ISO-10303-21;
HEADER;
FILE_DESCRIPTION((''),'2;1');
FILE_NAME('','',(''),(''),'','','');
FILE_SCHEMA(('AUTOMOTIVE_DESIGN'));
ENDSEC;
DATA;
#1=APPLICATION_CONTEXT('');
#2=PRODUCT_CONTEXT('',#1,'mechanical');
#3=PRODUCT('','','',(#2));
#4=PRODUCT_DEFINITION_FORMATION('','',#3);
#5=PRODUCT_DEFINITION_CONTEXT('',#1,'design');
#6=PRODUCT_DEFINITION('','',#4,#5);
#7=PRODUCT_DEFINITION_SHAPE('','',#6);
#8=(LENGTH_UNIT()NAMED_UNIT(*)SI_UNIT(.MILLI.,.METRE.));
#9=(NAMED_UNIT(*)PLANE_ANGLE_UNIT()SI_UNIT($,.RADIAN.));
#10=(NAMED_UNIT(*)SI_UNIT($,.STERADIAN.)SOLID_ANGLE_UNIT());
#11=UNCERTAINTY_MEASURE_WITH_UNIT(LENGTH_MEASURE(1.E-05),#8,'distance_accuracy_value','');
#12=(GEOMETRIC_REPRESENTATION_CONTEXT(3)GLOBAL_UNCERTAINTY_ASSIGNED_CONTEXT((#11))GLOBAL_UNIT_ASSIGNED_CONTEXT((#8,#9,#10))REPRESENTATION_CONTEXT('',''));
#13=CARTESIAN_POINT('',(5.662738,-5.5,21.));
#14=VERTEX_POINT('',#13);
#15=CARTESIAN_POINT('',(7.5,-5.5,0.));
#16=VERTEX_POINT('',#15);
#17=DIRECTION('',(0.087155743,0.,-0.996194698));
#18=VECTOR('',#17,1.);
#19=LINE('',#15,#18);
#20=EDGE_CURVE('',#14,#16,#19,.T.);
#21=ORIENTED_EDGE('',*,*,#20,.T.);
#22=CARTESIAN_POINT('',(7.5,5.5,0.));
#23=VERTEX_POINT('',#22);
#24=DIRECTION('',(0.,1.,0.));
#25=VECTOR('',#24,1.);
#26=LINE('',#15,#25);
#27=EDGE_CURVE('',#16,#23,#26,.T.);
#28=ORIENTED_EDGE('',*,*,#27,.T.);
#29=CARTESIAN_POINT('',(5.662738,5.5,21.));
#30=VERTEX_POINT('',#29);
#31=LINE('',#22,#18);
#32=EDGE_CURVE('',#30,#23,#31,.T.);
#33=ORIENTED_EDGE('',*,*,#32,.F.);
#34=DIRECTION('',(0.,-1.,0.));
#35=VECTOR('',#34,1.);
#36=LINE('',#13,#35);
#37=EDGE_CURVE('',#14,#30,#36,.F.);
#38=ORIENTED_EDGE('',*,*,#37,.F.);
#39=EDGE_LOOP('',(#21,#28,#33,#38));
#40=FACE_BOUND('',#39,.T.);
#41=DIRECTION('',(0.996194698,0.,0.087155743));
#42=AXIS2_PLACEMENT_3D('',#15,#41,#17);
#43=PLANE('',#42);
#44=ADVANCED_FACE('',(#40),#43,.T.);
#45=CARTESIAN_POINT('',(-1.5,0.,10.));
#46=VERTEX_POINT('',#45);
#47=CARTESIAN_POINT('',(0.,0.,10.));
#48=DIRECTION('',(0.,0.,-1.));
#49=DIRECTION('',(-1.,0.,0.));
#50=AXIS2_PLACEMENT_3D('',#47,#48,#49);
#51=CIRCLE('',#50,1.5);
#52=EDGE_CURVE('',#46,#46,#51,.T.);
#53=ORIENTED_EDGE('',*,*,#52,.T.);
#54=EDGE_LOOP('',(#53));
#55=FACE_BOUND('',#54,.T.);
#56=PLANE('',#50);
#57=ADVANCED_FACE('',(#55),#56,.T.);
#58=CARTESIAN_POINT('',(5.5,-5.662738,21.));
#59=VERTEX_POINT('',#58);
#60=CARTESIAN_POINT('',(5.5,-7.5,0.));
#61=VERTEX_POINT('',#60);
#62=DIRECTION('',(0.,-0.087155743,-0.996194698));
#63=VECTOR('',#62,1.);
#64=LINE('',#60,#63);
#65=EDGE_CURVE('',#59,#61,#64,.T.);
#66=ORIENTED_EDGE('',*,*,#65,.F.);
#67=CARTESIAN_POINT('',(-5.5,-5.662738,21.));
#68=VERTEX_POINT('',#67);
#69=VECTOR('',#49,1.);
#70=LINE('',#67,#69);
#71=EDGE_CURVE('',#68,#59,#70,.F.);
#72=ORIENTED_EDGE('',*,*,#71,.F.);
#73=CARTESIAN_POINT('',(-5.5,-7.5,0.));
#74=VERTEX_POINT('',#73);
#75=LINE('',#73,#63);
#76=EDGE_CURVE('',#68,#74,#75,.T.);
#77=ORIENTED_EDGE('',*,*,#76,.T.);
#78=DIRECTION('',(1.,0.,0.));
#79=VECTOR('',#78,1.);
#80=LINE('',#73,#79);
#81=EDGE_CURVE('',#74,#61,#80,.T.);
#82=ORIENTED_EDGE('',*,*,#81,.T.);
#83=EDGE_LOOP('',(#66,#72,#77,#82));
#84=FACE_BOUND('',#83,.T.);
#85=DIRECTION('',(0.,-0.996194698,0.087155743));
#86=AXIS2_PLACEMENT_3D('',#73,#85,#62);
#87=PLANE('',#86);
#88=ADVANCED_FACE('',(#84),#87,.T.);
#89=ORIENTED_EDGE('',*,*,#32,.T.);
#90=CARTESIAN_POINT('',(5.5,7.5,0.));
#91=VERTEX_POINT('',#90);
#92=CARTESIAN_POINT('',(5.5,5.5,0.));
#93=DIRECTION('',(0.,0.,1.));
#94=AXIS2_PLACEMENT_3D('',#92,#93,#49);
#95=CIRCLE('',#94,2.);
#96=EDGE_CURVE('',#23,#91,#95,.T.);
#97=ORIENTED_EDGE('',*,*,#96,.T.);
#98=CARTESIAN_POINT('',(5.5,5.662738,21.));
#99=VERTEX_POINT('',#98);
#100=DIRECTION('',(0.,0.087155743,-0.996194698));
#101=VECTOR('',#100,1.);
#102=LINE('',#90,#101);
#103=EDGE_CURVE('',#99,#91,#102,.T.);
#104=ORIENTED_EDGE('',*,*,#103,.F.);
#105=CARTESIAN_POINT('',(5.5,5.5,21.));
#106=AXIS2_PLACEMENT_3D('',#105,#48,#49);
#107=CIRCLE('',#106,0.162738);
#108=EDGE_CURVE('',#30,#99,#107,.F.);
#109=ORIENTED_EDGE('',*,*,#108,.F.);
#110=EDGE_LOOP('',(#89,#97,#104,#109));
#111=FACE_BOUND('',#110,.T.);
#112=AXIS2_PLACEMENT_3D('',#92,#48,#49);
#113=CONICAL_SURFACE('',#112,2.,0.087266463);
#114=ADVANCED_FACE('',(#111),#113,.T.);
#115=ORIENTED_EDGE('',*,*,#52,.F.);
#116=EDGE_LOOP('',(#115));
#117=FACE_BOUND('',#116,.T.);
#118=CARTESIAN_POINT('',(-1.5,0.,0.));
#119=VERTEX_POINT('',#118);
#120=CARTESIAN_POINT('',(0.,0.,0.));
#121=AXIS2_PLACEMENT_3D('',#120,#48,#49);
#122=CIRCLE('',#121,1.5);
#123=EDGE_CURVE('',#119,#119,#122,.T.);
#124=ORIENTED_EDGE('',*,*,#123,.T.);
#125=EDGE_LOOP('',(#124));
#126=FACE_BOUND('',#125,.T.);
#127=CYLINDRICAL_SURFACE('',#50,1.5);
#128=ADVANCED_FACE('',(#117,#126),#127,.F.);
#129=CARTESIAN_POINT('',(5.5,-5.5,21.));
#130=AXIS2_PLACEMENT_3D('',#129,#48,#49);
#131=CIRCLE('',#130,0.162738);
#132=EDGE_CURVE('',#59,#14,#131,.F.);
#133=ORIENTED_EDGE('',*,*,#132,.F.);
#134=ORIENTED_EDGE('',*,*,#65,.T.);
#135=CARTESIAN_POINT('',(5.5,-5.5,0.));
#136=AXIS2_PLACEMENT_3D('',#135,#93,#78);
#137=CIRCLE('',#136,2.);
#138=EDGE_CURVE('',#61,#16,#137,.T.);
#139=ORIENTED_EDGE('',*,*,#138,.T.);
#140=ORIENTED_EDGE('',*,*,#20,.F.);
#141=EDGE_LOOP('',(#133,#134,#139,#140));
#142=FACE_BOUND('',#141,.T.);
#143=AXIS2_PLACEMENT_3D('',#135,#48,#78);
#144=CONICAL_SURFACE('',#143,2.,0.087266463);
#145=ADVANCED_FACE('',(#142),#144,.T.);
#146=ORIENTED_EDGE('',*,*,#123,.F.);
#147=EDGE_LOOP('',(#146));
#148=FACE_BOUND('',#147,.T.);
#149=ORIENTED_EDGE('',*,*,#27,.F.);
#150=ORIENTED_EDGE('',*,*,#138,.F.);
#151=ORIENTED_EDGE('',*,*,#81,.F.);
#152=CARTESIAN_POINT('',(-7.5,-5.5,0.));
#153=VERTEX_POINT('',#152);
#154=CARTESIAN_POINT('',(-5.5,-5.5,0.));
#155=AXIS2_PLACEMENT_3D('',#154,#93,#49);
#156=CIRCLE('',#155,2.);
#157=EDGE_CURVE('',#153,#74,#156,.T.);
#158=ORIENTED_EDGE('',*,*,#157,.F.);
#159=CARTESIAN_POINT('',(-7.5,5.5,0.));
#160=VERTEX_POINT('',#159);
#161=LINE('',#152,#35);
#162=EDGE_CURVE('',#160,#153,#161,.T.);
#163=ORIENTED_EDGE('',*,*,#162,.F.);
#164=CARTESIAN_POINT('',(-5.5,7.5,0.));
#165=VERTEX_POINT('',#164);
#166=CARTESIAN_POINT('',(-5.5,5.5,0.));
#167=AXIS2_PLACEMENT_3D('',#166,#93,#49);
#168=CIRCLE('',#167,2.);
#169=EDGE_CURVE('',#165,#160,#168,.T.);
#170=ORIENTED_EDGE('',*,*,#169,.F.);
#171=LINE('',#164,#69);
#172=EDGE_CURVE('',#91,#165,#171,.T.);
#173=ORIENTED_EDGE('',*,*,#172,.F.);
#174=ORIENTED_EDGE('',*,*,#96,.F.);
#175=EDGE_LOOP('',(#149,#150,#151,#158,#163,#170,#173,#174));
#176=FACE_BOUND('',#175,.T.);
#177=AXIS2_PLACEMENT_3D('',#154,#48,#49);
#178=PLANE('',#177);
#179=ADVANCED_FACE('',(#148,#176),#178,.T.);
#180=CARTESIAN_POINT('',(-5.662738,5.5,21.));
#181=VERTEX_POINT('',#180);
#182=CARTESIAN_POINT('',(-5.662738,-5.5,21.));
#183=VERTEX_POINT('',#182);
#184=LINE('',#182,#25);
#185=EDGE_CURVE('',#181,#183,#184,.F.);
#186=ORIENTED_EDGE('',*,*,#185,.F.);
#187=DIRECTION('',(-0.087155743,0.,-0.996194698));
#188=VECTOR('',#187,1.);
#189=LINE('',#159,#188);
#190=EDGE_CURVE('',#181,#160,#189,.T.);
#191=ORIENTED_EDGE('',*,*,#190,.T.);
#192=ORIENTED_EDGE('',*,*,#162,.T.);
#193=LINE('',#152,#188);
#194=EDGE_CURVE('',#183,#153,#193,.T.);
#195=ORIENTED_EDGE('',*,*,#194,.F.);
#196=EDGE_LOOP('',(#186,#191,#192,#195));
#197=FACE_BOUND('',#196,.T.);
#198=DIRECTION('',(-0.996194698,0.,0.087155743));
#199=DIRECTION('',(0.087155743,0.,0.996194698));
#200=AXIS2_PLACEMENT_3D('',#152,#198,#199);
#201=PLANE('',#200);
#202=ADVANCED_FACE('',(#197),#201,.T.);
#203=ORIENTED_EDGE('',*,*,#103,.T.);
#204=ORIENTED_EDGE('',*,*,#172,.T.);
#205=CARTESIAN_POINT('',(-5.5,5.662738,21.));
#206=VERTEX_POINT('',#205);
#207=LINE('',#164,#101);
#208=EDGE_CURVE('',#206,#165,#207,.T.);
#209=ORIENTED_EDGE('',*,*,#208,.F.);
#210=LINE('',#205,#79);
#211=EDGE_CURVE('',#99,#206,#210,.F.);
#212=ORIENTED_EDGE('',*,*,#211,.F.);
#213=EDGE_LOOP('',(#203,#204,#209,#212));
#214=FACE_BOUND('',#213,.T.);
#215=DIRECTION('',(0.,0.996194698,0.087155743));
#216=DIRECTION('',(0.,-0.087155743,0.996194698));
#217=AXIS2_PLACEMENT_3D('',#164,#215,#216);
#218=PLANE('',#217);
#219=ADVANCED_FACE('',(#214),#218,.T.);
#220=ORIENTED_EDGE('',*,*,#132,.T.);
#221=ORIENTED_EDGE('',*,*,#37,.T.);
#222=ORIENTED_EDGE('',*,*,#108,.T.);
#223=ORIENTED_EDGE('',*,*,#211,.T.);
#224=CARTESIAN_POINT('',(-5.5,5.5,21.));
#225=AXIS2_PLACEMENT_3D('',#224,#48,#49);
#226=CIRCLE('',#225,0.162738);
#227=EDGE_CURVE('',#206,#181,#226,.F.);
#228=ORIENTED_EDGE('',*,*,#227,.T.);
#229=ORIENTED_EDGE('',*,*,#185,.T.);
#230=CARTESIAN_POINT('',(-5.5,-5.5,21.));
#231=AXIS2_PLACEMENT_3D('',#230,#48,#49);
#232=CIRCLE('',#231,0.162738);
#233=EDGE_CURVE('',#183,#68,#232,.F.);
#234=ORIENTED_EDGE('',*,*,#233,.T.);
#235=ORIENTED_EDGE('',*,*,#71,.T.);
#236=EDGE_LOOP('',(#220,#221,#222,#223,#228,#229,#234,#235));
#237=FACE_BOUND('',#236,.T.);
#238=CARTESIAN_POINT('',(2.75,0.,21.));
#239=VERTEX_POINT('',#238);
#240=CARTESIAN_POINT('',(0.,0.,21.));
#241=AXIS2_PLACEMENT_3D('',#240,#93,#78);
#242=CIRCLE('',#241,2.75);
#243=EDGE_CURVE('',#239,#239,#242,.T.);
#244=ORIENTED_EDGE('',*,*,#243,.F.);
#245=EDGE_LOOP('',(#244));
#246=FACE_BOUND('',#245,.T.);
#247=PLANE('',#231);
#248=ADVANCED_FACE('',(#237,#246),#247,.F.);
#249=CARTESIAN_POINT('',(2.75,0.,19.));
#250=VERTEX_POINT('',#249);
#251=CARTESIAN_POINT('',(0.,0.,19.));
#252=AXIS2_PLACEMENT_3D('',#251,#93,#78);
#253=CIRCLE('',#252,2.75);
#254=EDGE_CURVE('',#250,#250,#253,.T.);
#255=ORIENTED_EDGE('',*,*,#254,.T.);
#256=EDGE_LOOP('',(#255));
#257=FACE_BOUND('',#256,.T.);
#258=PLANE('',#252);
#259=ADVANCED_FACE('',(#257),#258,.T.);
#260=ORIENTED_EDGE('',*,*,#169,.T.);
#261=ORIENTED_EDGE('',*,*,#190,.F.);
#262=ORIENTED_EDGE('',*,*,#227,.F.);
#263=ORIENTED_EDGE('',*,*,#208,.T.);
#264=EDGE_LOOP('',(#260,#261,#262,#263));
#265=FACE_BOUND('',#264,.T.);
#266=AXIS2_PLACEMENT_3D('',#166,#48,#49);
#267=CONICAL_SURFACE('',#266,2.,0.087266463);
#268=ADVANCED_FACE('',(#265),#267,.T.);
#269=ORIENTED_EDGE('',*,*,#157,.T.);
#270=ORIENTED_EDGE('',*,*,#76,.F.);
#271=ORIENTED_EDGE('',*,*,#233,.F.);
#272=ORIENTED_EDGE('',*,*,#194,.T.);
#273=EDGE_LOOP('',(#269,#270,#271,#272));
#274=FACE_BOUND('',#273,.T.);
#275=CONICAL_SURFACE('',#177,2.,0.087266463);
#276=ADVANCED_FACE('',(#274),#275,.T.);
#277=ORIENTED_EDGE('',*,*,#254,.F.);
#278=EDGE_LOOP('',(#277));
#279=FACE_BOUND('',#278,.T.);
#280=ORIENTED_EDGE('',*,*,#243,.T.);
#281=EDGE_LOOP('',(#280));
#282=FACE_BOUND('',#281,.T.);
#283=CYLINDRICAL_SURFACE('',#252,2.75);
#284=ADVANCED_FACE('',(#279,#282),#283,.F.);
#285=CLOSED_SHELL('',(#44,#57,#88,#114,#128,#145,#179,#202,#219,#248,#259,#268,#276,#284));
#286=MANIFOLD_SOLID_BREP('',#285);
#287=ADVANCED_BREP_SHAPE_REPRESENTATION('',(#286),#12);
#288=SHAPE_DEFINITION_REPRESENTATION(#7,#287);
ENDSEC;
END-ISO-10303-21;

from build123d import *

# Parameters (mm, degrees)
BOSS_EXTRUDE1_DEPTH = 21
BOSS_EXTRUDE1_TAPER = 5
SKETCH2_R           = 1.5
CUT_EXTRUDE1_DEPTH  = 10
SKETCH3_R           = 2.75
CUT_EXTRUDE2_DEPTH  = 2


with BuildPart() as part:
    # Sketch1 → Boss-Extrude1 (new body)
    with BuildSketch(Plane.XY):
        with BuildLine():
            Line((-5.5, -7.5), (5.5, -7.5))
            ThreePointArc((5.5, -7.5), (6.914213562, -6.914213562), (7.5, -5.5))
            Line((7.5, -5.5), (7.5, 5.5))
            ThreePointArc((7.5, 5.5), (6.914213562, 6.914213562), (5.5, 7.5))
            Line((5.5, 7.5), (-5.5, 7.5))
            ThreePointArc((-5.5, 7.5), (-6.914213562, 6.914213562), (-7.5, 5.5))
            Line((-7.5, 5.5), (-7.5, -5.5))
            ThreePointArc((-7.5, -5.5), (-6.914213562, -6.914213562), (-5.5, -7.5))
        make_face()
    extrude(amount=BOSS_EXTRUDE1_DEPTH, taper=BOSS_EXTRUDE1_TAPER)

    # Sketch2 → Cut-Extrude1 (cut)
    with BuildSketch(Plane(origin=(0, 0, 0), x_dir=(-1, 0, 0), z_dir=(0, 0, -1))):
        Circle(SKETCH2_R)
    extrude(amount=-CUT_EXTRUDE1_DEPTH, mode=Mode.SUBTRACT)

    # Sketch3 → Cut-Extrude2 (cut)
    with BuildSketch(Plane.XY.offset(21)):
        Circle(SKETCH3_R)
    extrude(amount=-CUT_EXTRUDE2_DEPTH, mode=Mode.SUBTRACT)


solid = part.part
